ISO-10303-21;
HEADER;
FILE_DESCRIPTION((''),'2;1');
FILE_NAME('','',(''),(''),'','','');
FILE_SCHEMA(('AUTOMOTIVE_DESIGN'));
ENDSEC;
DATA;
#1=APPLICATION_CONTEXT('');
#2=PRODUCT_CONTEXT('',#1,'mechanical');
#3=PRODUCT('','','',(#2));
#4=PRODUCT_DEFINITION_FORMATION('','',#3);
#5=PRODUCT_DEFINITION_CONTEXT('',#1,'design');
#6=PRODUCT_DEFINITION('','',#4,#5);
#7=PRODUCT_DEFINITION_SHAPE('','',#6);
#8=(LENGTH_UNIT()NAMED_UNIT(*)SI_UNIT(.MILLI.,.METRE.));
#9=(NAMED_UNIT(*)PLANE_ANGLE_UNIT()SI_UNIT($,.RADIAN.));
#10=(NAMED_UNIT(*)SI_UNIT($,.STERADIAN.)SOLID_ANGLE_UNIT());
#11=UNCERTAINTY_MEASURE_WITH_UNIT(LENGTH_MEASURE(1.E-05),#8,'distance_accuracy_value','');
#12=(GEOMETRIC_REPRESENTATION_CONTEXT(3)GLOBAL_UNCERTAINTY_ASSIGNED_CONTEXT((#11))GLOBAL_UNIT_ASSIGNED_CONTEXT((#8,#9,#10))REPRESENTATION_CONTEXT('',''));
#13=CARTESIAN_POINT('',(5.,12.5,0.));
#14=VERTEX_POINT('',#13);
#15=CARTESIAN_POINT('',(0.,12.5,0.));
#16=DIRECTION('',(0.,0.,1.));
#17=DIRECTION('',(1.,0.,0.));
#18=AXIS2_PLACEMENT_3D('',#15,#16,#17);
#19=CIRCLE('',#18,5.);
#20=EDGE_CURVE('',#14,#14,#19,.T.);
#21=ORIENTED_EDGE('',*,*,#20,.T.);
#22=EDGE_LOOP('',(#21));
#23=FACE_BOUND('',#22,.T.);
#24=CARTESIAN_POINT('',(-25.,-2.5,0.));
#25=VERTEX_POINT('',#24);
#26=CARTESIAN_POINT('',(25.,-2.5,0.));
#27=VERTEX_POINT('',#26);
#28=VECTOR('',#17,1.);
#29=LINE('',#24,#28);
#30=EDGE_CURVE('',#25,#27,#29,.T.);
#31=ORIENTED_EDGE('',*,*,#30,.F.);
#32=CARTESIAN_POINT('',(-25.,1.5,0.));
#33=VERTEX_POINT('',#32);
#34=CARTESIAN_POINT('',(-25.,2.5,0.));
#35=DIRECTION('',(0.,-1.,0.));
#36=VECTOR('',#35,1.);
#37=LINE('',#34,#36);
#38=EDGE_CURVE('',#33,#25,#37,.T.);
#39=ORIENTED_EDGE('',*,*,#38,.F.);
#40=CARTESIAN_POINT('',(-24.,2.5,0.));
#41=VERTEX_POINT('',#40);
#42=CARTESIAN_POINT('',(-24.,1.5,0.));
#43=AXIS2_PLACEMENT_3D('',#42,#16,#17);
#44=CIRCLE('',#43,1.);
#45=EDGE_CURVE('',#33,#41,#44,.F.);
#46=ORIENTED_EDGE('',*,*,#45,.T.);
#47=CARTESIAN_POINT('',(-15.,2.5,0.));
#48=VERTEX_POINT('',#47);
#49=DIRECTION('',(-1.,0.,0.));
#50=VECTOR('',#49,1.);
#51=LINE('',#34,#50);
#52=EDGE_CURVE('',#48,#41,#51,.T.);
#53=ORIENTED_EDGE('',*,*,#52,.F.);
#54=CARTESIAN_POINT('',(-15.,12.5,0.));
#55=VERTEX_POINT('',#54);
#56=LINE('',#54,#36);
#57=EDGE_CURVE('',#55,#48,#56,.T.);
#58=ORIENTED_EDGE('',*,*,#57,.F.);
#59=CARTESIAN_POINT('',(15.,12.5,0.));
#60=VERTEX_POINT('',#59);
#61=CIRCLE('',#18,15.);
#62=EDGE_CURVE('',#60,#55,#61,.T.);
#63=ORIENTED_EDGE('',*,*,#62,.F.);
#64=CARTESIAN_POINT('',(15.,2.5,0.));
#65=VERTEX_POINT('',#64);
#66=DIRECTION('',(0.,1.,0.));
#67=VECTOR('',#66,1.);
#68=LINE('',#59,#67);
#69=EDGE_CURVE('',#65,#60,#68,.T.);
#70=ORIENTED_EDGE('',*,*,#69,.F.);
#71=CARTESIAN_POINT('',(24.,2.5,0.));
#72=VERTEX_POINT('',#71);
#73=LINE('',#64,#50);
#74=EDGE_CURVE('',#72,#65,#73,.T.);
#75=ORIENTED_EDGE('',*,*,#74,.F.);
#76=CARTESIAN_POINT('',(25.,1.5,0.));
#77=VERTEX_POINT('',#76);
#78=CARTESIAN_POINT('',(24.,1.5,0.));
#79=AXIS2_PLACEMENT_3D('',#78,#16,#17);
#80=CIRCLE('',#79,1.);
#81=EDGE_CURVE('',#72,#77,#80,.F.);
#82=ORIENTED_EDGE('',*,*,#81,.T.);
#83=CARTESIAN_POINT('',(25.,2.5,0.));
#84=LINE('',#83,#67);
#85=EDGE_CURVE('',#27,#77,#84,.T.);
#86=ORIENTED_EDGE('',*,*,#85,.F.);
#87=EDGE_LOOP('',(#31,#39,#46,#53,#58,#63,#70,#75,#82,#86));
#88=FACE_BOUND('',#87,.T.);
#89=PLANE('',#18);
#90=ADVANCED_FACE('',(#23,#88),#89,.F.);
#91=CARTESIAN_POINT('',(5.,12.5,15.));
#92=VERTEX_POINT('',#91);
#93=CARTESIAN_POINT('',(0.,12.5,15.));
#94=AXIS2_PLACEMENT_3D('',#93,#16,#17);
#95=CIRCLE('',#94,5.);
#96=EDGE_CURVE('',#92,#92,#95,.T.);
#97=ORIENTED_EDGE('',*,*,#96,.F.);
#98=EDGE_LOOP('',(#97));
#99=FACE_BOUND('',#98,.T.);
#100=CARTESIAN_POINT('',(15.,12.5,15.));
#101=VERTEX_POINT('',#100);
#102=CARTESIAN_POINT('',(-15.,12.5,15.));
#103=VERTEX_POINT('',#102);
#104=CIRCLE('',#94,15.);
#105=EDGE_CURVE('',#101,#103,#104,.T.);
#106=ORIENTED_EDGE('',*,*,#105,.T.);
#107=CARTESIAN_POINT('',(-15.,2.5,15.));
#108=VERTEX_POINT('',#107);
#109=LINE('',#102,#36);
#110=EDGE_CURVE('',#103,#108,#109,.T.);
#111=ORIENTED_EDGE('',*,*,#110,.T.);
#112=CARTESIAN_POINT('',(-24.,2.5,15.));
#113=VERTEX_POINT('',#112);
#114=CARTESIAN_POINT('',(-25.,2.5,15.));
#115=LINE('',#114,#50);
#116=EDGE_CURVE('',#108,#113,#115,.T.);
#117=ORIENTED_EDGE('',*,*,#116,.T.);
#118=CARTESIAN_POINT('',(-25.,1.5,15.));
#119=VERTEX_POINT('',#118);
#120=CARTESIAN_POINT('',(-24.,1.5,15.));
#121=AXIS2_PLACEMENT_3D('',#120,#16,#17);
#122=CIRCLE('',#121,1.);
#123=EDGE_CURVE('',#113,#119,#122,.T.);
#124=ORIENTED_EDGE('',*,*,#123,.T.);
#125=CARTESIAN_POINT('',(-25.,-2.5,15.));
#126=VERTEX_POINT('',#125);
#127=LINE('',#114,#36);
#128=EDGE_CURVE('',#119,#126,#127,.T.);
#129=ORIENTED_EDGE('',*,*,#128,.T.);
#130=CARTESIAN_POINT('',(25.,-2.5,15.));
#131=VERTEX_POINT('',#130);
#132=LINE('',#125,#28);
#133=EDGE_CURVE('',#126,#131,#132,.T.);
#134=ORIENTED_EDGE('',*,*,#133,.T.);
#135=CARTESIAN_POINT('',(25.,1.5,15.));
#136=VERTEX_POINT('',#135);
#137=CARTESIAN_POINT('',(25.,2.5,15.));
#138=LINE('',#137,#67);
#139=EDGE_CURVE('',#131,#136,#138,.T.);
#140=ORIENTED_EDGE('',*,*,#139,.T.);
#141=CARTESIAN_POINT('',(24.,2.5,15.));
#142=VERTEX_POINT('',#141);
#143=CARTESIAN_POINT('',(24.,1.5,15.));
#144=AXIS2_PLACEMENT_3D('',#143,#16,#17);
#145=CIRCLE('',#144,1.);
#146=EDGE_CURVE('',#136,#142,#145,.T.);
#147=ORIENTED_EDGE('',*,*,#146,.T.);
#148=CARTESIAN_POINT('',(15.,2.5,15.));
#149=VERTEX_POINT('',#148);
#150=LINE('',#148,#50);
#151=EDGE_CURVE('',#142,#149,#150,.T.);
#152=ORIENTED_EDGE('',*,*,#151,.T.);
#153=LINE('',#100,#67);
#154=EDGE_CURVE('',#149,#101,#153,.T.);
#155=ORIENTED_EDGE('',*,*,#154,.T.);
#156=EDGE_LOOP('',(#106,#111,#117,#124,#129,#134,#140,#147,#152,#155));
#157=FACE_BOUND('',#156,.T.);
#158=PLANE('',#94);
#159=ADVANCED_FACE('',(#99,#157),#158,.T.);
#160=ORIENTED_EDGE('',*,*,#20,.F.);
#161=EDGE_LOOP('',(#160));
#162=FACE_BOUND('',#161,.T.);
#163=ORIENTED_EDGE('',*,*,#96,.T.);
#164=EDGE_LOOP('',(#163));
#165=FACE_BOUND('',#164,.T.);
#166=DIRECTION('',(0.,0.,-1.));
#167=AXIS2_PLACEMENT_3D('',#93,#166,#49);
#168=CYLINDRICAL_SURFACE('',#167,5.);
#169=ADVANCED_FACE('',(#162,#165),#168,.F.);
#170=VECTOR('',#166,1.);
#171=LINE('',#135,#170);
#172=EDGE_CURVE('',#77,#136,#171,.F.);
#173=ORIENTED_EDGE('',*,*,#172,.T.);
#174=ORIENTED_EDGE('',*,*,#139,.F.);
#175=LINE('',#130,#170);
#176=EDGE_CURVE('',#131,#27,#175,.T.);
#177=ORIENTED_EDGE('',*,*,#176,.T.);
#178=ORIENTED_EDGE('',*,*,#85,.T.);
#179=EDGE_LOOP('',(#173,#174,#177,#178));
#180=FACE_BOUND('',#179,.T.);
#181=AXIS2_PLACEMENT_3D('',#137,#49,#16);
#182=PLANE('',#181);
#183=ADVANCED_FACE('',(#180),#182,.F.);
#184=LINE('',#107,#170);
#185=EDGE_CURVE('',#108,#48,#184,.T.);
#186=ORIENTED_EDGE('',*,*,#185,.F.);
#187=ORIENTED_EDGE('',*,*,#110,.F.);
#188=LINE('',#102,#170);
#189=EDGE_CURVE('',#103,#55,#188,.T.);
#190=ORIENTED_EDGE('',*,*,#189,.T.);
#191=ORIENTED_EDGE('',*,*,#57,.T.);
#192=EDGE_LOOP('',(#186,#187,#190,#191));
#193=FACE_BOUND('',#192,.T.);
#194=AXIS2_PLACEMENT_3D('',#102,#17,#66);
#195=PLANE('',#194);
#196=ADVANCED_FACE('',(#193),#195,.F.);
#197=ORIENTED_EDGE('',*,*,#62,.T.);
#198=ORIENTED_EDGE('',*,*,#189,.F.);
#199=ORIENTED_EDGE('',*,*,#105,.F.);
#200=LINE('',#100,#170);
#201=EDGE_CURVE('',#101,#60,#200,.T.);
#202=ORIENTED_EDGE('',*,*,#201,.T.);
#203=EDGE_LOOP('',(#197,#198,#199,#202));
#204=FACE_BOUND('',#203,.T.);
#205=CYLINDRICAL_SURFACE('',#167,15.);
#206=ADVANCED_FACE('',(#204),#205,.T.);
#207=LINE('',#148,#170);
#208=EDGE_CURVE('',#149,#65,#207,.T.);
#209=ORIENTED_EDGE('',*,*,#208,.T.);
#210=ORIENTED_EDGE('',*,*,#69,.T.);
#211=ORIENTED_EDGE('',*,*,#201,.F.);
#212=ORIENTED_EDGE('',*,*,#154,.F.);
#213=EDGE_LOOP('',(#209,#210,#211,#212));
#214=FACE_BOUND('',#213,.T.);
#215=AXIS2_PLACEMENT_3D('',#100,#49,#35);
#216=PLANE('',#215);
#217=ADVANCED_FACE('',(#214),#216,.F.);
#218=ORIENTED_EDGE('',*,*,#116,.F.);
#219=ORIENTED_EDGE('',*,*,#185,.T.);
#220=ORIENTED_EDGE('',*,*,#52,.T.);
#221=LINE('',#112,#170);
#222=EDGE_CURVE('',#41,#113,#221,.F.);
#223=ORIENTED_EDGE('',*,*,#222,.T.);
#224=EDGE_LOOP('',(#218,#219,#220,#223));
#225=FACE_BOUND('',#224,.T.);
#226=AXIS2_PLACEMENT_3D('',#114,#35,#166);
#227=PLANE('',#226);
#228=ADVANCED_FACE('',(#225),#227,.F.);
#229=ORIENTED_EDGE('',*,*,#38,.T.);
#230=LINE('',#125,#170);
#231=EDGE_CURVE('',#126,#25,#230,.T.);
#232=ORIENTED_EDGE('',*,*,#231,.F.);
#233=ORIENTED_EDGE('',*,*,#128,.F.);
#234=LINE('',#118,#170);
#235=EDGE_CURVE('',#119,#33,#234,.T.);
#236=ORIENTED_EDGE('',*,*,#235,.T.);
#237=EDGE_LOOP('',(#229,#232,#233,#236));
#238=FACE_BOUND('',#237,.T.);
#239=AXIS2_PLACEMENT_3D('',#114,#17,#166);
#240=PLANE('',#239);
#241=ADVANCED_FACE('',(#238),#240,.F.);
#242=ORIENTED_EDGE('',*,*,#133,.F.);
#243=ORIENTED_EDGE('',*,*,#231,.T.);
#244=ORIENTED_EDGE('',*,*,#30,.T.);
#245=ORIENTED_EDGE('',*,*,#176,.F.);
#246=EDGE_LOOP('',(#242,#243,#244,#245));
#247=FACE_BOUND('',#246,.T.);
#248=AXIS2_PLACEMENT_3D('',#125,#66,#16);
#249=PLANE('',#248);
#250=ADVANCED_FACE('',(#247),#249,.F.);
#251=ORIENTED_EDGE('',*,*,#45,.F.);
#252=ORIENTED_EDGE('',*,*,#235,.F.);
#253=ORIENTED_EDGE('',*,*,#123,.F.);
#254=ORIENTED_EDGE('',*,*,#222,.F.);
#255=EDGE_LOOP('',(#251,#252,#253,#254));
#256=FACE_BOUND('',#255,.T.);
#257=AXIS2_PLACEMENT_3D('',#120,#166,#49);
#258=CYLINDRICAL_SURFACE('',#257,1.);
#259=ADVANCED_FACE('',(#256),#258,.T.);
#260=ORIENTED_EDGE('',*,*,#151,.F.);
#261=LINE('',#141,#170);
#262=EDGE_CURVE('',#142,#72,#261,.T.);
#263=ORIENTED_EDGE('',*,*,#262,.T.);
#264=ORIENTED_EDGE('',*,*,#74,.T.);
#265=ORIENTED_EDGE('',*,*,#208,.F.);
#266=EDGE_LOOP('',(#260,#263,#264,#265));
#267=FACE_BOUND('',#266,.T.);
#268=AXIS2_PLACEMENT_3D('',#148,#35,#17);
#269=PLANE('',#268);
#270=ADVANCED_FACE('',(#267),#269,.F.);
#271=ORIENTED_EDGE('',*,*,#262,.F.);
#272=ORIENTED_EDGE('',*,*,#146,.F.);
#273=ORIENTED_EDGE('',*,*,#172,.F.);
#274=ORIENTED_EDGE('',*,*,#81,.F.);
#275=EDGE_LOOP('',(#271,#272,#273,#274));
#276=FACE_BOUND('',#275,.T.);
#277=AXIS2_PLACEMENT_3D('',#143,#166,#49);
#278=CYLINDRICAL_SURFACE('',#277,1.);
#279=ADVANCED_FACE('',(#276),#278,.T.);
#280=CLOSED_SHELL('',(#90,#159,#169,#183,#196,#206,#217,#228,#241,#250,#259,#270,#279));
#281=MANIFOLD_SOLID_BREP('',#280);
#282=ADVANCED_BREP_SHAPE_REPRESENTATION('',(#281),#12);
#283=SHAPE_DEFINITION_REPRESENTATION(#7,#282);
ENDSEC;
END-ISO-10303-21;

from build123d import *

# Parameters (mm, degrees)
SKETCH_1_R      = 5
EXTRUDE_1_DEPTH = 15
FILLET_1_R      = 1


with BuildPart() as part:
    # 草图1 → 凸台-拉伸1 (new body)
    with BuildSketch(Plane.XY):
        with BuildLine():
            Line((15, 2.5), (25, 2.5))
            Line((25, 2.5), (25, -2.5))
            Line((25, -2.5), (-25, -2.5))
            Line((-25, -2.5), (-25, 2.5))
            Line((-25, 2.5), (-15, 2.5))
            Line((-15, 2.5), (-15, 12.5))
            ThreePointArc((-15, 12.5), (0, 27.5), (15, 12.5))
            Line((15, 12.5), (15, 2.5))
        make_face()
        with Locations((0, 12.5)):
            Circle(SKETCH_1_R, mode=Mode.SUBTRACT)
    extrude(amount=EXTRUDE_1_DEPTH)

    # 圆角1
    fillet_1_edges = [part.edges().sort_by_distance(p)[0] for p in [
        (-25, 2.5, 7.5),
        (25, 2.5, 7.5),
    ]]
    fillet(fillet_1_edges, radius=FILLET_1_R)


solid = part.part
